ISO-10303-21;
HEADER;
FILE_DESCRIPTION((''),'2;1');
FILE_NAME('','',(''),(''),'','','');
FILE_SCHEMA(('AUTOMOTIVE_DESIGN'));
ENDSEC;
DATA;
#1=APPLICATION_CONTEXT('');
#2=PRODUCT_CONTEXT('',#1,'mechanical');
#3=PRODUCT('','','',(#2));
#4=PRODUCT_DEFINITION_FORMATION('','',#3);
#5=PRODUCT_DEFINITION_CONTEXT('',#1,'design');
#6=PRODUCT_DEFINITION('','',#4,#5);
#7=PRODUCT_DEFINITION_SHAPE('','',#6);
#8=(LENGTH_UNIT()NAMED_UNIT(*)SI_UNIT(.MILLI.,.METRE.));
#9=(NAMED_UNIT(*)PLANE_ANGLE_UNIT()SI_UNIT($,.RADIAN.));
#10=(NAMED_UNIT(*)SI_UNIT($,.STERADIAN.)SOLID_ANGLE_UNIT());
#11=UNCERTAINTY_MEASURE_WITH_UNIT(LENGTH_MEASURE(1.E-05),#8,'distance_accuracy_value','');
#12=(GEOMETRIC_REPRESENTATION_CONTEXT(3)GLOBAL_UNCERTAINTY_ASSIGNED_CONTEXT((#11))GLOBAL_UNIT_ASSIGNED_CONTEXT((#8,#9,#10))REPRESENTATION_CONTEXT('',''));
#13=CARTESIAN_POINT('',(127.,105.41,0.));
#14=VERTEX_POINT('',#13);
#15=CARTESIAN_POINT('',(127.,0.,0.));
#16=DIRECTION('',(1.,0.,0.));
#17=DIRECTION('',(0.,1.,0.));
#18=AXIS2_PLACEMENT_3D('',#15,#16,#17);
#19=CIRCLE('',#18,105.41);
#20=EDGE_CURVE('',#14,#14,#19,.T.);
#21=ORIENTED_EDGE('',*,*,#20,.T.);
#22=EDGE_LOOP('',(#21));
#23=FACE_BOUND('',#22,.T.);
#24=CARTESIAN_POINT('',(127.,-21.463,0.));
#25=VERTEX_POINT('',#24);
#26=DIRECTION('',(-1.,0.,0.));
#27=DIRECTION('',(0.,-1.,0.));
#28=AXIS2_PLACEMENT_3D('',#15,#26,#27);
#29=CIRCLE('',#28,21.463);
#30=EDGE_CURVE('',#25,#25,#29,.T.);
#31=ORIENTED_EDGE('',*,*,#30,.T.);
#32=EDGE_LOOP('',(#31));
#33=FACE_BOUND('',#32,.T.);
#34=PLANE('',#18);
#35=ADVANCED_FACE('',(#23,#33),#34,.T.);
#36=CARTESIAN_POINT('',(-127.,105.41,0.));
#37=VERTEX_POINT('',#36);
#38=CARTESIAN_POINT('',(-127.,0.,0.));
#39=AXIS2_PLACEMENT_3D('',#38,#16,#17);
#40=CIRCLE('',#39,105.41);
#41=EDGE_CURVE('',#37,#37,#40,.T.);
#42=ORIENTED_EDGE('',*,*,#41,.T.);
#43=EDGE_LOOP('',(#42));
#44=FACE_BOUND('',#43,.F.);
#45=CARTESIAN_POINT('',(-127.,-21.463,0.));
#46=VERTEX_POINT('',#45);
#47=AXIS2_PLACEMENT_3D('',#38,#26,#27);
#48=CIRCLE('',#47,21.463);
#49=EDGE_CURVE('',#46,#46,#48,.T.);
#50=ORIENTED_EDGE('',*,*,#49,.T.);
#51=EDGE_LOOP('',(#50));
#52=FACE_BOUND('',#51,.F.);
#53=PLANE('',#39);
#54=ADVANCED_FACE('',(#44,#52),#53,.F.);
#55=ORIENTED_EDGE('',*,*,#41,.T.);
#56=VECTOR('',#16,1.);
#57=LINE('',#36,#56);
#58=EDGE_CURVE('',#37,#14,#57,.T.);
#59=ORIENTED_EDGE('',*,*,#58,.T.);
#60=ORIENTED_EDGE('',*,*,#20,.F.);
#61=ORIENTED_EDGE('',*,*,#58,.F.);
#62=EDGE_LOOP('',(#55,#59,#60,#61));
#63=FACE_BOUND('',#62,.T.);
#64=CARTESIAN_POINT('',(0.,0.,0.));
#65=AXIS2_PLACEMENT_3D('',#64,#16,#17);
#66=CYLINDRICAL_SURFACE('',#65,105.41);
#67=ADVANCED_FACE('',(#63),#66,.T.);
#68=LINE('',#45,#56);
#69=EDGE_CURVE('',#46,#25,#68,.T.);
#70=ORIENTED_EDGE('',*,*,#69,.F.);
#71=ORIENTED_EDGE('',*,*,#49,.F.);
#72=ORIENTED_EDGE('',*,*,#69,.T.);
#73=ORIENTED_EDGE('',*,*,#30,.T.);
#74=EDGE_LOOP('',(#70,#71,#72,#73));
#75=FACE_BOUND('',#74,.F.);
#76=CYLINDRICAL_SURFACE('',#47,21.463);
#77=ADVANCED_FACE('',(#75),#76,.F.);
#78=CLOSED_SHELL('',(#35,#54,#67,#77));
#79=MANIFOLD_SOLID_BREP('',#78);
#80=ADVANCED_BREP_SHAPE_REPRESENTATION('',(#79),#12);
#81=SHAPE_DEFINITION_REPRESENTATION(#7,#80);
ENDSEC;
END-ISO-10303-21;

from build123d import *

# Parameters (mm, degrees)
F0_R          = 105.41
F1_DEPTH      = 127
F1_DEPTH_BACK = 127
F2_R          = 21.463
F3_DEPTH      = 254


with BuildPart() as f1:
    # F0 (on Right) → F1 (new body, two sides)
    with BuildSketch(Plane.YZ) as f1_sk:
        Circle(F0_R)
    extrude(amount=F1_DEPTH)
    extrude(f1_sk.sketch, amount=-F1_DEPTH_BACK)

    # F2 (on face) → F3 (cut)
    with BuildSketch(Plane(origin=(-127, 0, 0), x_dir=(0, -1, 0), z_dir=(-1, 0, 0))):
        Circle(F2_R)
    extrude(amount=-F3_DEPTH, mode=Mode.SUBTRACT)


solid = f1.part
